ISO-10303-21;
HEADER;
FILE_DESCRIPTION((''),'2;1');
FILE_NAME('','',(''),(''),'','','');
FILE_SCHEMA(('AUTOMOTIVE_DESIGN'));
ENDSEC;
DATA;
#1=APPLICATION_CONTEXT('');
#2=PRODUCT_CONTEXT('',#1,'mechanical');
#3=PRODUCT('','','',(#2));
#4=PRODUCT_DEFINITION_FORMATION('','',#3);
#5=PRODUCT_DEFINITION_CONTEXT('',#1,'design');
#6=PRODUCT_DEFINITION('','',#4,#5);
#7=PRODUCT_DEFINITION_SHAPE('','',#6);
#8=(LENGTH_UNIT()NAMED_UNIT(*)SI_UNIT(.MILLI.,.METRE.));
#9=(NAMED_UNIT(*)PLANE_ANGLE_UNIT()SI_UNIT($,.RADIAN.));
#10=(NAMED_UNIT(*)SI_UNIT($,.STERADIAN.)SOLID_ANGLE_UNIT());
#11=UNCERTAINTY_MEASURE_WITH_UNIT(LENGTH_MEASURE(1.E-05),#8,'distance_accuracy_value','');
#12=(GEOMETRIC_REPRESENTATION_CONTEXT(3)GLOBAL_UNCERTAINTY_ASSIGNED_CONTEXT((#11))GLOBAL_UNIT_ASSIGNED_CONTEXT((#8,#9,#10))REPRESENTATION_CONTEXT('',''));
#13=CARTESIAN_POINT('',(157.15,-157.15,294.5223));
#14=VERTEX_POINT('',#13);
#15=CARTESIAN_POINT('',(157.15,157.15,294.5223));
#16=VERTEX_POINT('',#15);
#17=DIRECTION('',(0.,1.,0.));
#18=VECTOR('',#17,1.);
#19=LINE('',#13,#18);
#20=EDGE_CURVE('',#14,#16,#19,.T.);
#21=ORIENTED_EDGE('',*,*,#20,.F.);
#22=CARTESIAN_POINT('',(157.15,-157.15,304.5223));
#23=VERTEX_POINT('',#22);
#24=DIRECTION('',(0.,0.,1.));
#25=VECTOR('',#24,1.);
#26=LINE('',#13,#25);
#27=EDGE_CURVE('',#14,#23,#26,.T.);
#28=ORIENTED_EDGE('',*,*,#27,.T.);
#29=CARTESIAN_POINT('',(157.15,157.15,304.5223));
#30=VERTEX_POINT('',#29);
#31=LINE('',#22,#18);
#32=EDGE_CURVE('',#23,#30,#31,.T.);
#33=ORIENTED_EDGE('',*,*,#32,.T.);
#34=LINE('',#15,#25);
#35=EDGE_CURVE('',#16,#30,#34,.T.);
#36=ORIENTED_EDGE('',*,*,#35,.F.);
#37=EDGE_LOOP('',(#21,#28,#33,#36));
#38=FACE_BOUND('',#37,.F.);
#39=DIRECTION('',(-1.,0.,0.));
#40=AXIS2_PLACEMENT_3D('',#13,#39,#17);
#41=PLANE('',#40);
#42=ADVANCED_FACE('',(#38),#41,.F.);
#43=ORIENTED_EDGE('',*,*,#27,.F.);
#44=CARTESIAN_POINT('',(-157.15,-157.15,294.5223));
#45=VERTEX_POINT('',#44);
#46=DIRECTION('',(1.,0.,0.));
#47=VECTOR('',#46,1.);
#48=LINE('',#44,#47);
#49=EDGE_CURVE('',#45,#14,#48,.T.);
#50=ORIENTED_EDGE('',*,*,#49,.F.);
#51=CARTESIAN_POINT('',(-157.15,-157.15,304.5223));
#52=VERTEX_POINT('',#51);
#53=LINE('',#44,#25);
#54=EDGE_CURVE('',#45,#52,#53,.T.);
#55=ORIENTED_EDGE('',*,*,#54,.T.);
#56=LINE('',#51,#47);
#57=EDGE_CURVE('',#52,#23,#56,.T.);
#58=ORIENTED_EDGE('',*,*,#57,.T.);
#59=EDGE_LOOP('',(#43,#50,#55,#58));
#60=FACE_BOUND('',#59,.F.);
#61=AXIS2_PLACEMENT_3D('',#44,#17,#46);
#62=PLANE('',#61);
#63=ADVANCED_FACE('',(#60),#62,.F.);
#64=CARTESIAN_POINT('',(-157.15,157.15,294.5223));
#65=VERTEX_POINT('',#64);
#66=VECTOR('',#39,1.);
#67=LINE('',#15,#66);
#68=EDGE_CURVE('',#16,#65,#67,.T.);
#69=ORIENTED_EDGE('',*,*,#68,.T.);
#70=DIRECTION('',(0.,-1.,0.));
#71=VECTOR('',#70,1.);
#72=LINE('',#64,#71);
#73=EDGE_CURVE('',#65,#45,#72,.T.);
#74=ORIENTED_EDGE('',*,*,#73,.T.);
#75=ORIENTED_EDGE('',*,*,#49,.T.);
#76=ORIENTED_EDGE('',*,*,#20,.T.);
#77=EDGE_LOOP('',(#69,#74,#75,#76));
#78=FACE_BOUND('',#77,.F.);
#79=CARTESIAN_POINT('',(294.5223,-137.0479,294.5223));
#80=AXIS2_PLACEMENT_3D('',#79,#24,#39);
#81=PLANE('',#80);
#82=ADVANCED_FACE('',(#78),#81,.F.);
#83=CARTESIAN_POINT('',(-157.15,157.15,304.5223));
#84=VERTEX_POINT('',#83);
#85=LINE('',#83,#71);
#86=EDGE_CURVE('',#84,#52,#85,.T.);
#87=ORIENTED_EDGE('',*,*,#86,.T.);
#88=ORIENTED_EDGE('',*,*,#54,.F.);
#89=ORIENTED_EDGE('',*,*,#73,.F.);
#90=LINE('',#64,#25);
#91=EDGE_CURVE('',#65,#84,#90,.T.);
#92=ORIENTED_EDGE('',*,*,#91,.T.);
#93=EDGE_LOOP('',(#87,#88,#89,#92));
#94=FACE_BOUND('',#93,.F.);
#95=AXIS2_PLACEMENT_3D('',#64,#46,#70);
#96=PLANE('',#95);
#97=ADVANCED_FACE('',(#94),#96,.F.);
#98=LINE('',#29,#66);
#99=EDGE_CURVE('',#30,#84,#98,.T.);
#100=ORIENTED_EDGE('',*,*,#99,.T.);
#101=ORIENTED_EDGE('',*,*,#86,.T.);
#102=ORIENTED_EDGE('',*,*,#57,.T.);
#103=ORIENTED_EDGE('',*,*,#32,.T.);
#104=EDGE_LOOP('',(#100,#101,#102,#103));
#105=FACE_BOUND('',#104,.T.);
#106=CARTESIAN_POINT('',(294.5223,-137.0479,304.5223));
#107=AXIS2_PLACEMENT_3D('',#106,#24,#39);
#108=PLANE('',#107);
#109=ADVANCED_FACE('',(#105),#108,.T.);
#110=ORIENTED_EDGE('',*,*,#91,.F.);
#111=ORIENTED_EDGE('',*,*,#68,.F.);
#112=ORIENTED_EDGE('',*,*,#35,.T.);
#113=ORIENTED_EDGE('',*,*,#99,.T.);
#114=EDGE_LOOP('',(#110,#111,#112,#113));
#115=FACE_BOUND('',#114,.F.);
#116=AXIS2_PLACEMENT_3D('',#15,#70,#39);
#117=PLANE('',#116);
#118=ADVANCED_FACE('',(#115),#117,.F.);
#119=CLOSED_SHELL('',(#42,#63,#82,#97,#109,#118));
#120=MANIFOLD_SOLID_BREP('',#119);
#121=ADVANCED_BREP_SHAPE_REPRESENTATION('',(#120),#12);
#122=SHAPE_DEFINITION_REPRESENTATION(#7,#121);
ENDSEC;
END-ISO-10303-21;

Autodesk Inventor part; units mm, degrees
ref_plane "YZ Plane" through (0, 0, 0) normal (1, 0, 0) x (0, 1, 0)
ref_plane "XZ Plane" through (0, 0, 0) normal (0, 1, 0) x (-1, 0, 0)
ref_plane "XY Plane" through (0, 0, 0) normal (0, 0, 1) x (1, 0, 0)
ref_plane "Work Plane2" through (294.5223, -137.0479, 294.5223) normal (0, 0, 1) x (-1, 0, 0)
sketch "Sketch2" plane through (294.5223, -137.0479, 294.5223) normal (0, 0, 1) x (-1, 0, 0)
  line L0 (451.6723, 20.1021) -> (137.3723, 20.1021)
  line L1 (137.3723, 20.1021) -> (137.3723, -294.1979)
  line L2 (137.3723, -294.1979) -> (451.6723, -294.1979)
  line L3 (451.6723, -294.1979) -> (451.6723, 20.1021)
  line L4 (451.6723, 20.1021) -> (137.3723, -294.1979) construction
  line L5 (137.3723, 20.1021) -> (451.6723, -294.1979) construction
  point P0 (294.5223, -137.0479)
  point P1 (294.5223, -137.0479)
  point P2 (294.5223, -137.0479)
  dimension "d0" = 314.3
  dimension "d1" = 314.3
extrude "Extrusion1" add sketch "Sketch2" along normal blind 10
properties part number "Album"
